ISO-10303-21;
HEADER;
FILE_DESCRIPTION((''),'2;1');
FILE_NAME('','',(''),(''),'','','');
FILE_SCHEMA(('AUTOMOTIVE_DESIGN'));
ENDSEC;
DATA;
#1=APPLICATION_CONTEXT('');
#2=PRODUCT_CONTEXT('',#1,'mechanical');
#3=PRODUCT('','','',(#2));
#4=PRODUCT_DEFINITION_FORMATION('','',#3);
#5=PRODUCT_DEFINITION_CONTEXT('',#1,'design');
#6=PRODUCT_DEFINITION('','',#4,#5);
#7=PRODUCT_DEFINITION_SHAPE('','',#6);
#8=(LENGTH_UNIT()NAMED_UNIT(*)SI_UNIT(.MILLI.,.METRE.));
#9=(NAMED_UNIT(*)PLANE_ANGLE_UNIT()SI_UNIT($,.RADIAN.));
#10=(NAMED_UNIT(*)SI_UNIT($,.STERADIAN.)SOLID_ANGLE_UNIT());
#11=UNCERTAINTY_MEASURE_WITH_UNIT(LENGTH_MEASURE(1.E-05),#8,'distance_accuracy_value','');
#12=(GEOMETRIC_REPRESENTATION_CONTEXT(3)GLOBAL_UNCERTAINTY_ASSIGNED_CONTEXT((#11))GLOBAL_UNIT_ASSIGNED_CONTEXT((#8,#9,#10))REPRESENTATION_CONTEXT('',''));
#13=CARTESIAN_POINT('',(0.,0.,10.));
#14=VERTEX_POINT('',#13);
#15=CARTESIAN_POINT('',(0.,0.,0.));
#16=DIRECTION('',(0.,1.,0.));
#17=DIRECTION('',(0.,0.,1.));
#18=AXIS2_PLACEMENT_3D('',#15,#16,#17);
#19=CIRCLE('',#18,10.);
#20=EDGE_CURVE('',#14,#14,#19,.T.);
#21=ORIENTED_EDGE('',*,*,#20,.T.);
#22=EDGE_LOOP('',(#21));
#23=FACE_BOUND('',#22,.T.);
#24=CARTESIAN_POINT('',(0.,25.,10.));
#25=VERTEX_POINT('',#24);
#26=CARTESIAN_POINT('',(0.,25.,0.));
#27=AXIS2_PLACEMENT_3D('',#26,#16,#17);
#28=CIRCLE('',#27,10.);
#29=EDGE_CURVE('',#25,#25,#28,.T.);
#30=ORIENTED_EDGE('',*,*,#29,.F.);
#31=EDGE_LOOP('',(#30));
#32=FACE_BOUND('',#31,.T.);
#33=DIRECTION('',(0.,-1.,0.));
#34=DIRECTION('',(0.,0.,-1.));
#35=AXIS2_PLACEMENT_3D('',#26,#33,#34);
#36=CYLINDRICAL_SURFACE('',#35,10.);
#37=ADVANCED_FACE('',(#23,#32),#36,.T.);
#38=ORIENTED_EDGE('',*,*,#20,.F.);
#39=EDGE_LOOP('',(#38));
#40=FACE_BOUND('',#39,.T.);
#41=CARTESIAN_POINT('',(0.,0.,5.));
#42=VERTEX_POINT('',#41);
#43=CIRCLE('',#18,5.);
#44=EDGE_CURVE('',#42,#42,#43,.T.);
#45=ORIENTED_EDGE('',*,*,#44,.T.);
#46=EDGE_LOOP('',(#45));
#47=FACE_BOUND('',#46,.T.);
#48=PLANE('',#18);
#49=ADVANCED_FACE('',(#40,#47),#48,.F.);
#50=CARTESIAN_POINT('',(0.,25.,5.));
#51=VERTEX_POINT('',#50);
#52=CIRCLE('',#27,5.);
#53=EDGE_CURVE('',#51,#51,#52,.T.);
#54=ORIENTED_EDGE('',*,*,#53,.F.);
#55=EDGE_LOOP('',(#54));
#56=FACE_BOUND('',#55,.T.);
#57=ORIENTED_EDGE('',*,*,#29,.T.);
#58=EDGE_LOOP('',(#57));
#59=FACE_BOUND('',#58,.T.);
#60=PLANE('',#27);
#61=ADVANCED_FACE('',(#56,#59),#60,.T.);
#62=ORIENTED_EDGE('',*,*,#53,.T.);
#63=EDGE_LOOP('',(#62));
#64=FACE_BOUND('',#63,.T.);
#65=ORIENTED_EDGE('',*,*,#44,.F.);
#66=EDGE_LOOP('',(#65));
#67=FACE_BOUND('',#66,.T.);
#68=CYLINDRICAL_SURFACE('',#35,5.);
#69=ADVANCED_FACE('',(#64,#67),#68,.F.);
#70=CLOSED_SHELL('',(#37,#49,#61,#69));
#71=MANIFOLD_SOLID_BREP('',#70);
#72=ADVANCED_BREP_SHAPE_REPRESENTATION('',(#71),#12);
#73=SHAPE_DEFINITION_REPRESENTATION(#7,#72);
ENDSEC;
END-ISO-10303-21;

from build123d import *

# Parameters (mm, degrees)
SKETCH_1_R      = 10
SKETCH_1_R_2    = 5
EXTRUDE_1_DEPTH = 25


with BuildPart() as part:
    # Эскиз1 → Бобышка-Вытянуть1 (new body)
    with BuildSketch(Plane(origin=(0, 0, 0), x_dir=(1, 0, 0), z_dir=(0, 1, 0))):
        with Locations(Location((0, 0, 0), (0, 0, 270))):
            Circle(SKETCH_1_R)
        with Locations(Location((0, 0, 0), (0, 0, 270))):
            Circle(SKETCH_1_R_2, mode=Mode.SUBTRACT)
    extrude(amount=EXTRUDE_1_DEPTH)


solid = part.part
